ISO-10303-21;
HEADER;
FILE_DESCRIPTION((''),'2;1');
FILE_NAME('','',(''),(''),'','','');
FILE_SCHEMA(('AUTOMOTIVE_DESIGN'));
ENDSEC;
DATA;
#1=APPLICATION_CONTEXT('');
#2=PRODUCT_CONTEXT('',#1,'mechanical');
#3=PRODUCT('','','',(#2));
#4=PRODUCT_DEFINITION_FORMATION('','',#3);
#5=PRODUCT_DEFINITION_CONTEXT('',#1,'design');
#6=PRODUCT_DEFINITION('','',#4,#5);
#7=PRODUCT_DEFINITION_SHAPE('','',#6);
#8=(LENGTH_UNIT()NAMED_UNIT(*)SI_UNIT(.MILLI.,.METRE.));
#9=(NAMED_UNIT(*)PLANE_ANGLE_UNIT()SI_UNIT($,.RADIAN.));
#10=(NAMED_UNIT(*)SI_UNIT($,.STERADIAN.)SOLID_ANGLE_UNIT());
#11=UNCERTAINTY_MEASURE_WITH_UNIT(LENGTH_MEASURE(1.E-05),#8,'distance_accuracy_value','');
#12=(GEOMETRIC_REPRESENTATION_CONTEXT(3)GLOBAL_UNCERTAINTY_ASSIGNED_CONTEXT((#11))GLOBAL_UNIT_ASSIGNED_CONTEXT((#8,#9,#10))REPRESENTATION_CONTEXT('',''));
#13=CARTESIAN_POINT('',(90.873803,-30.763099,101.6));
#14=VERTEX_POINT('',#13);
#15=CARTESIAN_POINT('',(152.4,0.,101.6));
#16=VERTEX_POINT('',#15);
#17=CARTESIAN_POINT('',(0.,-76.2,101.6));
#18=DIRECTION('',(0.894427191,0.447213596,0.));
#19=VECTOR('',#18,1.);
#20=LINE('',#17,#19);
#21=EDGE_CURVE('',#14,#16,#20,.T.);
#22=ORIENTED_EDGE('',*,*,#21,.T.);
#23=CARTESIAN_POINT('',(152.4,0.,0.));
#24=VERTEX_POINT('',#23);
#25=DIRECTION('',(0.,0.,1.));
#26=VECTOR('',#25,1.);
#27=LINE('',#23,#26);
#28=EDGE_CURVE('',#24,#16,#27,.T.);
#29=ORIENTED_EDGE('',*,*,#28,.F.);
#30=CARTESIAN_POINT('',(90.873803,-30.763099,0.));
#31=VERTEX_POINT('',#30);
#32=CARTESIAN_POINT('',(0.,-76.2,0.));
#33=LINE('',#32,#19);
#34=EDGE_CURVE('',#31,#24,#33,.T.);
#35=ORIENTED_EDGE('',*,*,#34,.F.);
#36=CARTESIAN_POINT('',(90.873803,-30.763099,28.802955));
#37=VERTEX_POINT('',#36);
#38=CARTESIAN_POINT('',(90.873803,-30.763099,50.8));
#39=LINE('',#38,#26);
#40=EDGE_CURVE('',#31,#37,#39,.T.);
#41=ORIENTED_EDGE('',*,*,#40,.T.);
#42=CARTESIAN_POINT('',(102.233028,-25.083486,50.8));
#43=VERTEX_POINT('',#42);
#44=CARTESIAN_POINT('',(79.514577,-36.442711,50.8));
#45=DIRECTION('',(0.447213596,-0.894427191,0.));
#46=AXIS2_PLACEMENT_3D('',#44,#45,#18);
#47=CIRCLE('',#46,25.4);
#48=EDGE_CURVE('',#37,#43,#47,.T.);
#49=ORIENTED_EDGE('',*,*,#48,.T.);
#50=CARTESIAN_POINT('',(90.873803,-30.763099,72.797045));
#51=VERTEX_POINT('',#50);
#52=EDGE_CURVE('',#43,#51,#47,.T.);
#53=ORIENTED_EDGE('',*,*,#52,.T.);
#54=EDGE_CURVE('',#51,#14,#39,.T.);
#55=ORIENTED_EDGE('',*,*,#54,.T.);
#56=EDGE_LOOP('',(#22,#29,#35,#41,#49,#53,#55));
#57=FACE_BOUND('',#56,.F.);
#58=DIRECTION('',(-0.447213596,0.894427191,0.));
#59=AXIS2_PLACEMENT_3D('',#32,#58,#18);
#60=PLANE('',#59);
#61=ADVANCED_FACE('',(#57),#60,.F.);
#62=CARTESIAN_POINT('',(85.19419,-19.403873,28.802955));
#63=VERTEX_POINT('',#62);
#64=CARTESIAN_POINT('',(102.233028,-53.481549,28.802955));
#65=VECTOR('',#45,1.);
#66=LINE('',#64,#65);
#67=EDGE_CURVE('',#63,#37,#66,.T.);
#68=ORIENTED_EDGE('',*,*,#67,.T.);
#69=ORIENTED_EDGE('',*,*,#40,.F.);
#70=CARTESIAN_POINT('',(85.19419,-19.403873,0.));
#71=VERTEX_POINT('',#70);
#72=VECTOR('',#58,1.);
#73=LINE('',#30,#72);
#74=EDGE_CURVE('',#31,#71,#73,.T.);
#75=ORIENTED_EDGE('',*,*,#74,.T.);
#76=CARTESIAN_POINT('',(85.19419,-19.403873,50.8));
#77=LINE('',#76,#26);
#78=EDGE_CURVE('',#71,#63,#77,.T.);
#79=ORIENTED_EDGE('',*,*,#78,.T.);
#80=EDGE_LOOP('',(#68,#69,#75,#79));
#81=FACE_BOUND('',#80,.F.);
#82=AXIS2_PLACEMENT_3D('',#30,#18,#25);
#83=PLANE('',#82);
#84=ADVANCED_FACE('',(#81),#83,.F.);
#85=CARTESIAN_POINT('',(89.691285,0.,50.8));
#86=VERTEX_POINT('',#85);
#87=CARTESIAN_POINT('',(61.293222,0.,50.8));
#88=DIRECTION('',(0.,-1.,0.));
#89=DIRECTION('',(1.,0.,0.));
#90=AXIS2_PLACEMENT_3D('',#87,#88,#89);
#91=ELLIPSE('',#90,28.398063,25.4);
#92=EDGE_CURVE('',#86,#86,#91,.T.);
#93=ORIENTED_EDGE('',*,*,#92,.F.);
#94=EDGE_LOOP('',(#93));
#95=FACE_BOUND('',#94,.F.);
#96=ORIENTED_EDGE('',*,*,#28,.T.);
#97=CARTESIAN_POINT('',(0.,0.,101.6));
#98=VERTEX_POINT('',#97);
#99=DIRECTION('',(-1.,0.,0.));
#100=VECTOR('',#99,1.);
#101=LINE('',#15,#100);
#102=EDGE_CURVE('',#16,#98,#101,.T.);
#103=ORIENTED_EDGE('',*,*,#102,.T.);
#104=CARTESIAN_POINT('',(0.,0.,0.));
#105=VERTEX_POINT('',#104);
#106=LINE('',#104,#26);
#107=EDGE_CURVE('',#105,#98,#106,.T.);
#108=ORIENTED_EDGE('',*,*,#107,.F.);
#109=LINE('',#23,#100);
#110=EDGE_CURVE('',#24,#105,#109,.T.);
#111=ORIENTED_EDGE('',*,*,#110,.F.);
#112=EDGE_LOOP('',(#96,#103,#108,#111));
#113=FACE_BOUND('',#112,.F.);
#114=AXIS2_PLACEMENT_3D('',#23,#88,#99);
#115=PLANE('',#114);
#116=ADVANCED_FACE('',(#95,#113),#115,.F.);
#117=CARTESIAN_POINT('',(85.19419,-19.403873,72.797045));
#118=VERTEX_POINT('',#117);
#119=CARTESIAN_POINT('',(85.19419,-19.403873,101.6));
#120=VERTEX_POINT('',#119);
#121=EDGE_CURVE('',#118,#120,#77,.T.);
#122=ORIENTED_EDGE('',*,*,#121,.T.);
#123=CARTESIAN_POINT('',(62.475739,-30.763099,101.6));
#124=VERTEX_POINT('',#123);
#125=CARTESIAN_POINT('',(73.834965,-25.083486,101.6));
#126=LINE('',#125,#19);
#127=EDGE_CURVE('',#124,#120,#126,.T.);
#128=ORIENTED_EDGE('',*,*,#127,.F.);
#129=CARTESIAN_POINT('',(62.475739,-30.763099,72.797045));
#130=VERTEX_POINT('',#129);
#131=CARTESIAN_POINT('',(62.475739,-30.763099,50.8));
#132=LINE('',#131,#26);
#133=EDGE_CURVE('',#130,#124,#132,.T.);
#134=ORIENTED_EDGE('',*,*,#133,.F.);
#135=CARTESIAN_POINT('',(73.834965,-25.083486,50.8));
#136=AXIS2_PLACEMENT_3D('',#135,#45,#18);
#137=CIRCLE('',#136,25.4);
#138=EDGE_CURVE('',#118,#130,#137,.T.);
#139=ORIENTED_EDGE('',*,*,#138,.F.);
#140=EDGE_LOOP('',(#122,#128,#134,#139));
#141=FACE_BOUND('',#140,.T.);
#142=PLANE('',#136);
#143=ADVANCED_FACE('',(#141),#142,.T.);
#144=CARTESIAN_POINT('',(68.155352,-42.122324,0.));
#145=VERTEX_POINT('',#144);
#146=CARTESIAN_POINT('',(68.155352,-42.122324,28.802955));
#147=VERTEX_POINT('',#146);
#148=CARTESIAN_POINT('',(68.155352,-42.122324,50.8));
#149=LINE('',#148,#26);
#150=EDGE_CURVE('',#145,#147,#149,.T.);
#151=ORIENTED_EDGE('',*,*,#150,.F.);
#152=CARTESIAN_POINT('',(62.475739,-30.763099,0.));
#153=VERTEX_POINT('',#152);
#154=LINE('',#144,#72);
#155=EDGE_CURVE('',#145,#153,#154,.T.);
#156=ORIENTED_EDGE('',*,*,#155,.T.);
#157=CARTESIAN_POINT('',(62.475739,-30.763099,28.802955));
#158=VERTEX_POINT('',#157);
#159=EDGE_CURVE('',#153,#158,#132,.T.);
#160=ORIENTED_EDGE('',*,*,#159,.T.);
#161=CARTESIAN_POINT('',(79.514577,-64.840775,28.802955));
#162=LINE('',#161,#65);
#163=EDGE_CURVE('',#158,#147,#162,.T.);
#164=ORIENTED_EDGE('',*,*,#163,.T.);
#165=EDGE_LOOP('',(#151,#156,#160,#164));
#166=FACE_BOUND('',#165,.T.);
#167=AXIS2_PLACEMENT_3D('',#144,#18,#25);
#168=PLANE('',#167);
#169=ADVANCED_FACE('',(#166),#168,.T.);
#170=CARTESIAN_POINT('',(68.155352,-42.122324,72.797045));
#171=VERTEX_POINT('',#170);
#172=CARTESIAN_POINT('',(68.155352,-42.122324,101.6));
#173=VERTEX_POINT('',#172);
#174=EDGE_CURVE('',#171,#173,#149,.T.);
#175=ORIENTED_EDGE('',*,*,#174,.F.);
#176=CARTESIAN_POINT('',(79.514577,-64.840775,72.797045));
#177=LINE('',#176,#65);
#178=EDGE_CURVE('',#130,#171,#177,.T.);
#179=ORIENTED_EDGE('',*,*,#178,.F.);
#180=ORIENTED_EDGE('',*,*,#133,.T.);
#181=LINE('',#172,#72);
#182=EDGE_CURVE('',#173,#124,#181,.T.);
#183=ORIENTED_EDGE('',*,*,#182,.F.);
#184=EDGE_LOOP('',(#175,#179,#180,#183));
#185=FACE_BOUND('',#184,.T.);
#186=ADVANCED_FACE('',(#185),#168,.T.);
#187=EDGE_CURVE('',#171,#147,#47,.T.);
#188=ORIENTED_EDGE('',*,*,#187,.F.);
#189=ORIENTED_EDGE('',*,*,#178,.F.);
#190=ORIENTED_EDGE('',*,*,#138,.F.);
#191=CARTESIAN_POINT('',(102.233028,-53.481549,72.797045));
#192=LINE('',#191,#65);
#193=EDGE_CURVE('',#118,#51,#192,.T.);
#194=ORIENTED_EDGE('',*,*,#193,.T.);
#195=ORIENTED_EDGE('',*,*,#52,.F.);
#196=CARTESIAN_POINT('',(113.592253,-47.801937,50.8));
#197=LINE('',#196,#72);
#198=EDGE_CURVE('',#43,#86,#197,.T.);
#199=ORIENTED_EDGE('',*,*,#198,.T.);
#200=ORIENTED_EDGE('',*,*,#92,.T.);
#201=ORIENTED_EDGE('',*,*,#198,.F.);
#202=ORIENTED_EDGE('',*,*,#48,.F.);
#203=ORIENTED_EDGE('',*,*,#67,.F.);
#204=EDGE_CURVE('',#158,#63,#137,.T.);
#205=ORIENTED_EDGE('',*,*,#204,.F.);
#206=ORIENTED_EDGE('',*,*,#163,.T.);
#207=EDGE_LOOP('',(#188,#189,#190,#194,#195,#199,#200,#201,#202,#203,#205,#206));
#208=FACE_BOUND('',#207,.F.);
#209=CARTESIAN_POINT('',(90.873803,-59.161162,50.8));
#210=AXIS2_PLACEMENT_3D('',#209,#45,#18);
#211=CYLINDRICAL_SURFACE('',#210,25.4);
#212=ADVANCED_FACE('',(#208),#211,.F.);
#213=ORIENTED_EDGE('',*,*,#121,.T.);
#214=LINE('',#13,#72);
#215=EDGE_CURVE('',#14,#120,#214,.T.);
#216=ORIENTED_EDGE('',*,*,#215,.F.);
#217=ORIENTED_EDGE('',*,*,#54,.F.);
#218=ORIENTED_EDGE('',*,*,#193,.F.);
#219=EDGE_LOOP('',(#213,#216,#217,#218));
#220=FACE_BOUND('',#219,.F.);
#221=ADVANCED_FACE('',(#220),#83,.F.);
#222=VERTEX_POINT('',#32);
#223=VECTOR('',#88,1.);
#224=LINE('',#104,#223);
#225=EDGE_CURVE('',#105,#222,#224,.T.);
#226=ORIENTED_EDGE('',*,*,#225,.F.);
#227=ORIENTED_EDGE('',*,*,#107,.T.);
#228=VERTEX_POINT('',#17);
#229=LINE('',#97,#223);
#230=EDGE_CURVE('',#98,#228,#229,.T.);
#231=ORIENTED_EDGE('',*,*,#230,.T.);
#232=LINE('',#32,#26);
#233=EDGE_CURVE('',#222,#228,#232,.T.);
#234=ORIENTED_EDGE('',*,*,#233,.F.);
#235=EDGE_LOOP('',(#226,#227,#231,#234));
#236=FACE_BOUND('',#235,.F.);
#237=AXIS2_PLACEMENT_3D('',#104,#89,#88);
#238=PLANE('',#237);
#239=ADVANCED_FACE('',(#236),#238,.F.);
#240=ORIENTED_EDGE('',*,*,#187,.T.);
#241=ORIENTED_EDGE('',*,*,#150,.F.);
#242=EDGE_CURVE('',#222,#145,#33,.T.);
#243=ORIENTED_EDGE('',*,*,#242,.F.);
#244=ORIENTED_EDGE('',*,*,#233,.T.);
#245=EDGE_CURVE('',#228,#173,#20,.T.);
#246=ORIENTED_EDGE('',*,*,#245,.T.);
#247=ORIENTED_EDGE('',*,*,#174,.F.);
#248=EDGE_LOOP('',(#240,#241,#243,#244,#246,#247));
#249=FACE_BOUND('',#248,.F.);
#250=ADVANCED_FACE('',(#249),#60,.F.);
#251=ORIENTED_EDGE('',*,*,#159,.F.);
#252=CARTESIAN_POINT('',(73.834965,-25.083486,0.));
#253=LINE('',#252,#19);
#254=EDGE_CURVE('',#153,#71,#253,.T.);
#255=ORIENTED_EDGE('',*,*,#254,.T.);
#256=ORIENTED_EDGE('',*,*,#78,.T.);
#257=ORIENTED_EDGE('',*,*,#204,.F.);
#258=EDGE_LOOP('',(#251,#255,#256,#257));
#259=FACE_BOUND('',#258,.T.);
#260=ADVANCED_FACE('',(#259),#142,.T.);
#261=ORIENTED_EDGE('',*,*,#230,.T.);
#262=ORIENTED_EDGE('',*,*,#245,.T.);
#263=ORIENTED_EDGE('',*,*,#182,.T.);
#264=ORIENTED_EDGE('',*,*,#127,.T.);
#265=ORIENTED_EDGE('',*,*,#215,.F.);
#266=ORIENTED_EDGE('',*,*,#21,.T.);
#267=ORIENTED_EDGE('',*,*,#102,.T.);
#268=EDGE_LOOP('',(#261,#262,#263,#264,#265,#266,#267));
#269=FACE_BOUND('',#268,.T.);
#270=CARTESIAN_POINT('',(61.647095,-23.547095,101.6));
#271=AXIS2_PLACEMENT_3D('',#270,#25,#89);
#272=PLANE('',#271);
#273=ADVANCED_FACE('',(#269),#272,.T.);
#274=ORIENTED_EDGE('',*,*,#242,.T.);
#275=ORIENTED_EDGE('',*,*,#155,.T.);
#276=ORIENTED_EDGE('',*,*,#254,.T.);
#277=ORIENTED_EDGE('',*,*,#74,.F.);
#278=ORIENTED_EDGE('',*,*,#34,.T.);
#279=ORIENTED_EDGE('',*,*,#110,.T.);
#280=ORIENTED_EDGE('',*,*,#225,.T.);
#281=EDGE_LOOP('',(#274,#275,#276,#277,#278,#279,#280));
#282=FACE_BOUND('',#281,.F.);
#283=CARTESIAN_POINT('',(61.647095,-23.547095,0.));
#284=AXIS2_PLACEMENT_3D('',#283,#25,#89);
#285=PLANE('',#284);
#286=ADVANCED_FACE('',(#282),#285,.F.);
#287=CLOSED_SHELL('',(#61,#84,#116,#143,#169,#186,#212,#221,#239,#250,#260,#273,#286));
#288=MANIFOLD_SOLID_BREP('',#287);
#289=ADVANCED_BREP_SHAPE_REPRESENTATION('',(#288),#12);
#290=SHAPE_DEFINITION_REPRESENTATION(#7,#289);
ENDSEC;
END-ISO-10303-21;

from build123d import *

# Parameters (mm, degrees)
F1_DEPTH = 101.6
F2_W     = 25.4
F2_H     = 101.6
F3_DEPTH = 12.7
F4_R     = 25.4
F5_DEPTH = 25.4
F6_DEPTH = 192.786


with BuildPart() as f1:
    # F0 (on Top) → F1 (new body)
    with BuildSketch(Plane.XY):
        Polygon((152.4, 0), (0, 0), (0, -76.2), align=None)
    extrude(amount=F1_DEPTH)

    # F2 (on face) → F3 (cut)
    with BuildSketch(Plane(origin=(30.48, -60.96, 0), x_dir=(0.894427191, 0.4472135955, 0), z_dir=(0.4472135955, -0.894427191, 0))):
        with Locations((54.8223240229, 50.8)):
            Rectangle(F2_W, F2_H)
    extrude(amount=-F3_DEPTH, mode=Mode.SUBTRACT)

    # F4 (on face) → F5 (join)
    with BuildSketch(Plane(origin=(30.48, -60.96, 0), x_dir=(0.894427191, 0.4472135955, 0), z_dir=(0.4472135955, -0.894427191, 0))):
        with Locations((54.8223240229, 50.8)):
            Circle(F4_R)
    extrude(amount=F5_DEPTH)

    # F6 (cut): a face of the model
    f6_faces = [f1.faces().sort_by_distance(p)[0] for p in [
        (90.8738026056, -59.1611620115, 50.8),
    ]]
    extrude(f6_faces, amount=-F6_DEPTH, mode=Mode.SUBTRACT)


solid = f1.part
